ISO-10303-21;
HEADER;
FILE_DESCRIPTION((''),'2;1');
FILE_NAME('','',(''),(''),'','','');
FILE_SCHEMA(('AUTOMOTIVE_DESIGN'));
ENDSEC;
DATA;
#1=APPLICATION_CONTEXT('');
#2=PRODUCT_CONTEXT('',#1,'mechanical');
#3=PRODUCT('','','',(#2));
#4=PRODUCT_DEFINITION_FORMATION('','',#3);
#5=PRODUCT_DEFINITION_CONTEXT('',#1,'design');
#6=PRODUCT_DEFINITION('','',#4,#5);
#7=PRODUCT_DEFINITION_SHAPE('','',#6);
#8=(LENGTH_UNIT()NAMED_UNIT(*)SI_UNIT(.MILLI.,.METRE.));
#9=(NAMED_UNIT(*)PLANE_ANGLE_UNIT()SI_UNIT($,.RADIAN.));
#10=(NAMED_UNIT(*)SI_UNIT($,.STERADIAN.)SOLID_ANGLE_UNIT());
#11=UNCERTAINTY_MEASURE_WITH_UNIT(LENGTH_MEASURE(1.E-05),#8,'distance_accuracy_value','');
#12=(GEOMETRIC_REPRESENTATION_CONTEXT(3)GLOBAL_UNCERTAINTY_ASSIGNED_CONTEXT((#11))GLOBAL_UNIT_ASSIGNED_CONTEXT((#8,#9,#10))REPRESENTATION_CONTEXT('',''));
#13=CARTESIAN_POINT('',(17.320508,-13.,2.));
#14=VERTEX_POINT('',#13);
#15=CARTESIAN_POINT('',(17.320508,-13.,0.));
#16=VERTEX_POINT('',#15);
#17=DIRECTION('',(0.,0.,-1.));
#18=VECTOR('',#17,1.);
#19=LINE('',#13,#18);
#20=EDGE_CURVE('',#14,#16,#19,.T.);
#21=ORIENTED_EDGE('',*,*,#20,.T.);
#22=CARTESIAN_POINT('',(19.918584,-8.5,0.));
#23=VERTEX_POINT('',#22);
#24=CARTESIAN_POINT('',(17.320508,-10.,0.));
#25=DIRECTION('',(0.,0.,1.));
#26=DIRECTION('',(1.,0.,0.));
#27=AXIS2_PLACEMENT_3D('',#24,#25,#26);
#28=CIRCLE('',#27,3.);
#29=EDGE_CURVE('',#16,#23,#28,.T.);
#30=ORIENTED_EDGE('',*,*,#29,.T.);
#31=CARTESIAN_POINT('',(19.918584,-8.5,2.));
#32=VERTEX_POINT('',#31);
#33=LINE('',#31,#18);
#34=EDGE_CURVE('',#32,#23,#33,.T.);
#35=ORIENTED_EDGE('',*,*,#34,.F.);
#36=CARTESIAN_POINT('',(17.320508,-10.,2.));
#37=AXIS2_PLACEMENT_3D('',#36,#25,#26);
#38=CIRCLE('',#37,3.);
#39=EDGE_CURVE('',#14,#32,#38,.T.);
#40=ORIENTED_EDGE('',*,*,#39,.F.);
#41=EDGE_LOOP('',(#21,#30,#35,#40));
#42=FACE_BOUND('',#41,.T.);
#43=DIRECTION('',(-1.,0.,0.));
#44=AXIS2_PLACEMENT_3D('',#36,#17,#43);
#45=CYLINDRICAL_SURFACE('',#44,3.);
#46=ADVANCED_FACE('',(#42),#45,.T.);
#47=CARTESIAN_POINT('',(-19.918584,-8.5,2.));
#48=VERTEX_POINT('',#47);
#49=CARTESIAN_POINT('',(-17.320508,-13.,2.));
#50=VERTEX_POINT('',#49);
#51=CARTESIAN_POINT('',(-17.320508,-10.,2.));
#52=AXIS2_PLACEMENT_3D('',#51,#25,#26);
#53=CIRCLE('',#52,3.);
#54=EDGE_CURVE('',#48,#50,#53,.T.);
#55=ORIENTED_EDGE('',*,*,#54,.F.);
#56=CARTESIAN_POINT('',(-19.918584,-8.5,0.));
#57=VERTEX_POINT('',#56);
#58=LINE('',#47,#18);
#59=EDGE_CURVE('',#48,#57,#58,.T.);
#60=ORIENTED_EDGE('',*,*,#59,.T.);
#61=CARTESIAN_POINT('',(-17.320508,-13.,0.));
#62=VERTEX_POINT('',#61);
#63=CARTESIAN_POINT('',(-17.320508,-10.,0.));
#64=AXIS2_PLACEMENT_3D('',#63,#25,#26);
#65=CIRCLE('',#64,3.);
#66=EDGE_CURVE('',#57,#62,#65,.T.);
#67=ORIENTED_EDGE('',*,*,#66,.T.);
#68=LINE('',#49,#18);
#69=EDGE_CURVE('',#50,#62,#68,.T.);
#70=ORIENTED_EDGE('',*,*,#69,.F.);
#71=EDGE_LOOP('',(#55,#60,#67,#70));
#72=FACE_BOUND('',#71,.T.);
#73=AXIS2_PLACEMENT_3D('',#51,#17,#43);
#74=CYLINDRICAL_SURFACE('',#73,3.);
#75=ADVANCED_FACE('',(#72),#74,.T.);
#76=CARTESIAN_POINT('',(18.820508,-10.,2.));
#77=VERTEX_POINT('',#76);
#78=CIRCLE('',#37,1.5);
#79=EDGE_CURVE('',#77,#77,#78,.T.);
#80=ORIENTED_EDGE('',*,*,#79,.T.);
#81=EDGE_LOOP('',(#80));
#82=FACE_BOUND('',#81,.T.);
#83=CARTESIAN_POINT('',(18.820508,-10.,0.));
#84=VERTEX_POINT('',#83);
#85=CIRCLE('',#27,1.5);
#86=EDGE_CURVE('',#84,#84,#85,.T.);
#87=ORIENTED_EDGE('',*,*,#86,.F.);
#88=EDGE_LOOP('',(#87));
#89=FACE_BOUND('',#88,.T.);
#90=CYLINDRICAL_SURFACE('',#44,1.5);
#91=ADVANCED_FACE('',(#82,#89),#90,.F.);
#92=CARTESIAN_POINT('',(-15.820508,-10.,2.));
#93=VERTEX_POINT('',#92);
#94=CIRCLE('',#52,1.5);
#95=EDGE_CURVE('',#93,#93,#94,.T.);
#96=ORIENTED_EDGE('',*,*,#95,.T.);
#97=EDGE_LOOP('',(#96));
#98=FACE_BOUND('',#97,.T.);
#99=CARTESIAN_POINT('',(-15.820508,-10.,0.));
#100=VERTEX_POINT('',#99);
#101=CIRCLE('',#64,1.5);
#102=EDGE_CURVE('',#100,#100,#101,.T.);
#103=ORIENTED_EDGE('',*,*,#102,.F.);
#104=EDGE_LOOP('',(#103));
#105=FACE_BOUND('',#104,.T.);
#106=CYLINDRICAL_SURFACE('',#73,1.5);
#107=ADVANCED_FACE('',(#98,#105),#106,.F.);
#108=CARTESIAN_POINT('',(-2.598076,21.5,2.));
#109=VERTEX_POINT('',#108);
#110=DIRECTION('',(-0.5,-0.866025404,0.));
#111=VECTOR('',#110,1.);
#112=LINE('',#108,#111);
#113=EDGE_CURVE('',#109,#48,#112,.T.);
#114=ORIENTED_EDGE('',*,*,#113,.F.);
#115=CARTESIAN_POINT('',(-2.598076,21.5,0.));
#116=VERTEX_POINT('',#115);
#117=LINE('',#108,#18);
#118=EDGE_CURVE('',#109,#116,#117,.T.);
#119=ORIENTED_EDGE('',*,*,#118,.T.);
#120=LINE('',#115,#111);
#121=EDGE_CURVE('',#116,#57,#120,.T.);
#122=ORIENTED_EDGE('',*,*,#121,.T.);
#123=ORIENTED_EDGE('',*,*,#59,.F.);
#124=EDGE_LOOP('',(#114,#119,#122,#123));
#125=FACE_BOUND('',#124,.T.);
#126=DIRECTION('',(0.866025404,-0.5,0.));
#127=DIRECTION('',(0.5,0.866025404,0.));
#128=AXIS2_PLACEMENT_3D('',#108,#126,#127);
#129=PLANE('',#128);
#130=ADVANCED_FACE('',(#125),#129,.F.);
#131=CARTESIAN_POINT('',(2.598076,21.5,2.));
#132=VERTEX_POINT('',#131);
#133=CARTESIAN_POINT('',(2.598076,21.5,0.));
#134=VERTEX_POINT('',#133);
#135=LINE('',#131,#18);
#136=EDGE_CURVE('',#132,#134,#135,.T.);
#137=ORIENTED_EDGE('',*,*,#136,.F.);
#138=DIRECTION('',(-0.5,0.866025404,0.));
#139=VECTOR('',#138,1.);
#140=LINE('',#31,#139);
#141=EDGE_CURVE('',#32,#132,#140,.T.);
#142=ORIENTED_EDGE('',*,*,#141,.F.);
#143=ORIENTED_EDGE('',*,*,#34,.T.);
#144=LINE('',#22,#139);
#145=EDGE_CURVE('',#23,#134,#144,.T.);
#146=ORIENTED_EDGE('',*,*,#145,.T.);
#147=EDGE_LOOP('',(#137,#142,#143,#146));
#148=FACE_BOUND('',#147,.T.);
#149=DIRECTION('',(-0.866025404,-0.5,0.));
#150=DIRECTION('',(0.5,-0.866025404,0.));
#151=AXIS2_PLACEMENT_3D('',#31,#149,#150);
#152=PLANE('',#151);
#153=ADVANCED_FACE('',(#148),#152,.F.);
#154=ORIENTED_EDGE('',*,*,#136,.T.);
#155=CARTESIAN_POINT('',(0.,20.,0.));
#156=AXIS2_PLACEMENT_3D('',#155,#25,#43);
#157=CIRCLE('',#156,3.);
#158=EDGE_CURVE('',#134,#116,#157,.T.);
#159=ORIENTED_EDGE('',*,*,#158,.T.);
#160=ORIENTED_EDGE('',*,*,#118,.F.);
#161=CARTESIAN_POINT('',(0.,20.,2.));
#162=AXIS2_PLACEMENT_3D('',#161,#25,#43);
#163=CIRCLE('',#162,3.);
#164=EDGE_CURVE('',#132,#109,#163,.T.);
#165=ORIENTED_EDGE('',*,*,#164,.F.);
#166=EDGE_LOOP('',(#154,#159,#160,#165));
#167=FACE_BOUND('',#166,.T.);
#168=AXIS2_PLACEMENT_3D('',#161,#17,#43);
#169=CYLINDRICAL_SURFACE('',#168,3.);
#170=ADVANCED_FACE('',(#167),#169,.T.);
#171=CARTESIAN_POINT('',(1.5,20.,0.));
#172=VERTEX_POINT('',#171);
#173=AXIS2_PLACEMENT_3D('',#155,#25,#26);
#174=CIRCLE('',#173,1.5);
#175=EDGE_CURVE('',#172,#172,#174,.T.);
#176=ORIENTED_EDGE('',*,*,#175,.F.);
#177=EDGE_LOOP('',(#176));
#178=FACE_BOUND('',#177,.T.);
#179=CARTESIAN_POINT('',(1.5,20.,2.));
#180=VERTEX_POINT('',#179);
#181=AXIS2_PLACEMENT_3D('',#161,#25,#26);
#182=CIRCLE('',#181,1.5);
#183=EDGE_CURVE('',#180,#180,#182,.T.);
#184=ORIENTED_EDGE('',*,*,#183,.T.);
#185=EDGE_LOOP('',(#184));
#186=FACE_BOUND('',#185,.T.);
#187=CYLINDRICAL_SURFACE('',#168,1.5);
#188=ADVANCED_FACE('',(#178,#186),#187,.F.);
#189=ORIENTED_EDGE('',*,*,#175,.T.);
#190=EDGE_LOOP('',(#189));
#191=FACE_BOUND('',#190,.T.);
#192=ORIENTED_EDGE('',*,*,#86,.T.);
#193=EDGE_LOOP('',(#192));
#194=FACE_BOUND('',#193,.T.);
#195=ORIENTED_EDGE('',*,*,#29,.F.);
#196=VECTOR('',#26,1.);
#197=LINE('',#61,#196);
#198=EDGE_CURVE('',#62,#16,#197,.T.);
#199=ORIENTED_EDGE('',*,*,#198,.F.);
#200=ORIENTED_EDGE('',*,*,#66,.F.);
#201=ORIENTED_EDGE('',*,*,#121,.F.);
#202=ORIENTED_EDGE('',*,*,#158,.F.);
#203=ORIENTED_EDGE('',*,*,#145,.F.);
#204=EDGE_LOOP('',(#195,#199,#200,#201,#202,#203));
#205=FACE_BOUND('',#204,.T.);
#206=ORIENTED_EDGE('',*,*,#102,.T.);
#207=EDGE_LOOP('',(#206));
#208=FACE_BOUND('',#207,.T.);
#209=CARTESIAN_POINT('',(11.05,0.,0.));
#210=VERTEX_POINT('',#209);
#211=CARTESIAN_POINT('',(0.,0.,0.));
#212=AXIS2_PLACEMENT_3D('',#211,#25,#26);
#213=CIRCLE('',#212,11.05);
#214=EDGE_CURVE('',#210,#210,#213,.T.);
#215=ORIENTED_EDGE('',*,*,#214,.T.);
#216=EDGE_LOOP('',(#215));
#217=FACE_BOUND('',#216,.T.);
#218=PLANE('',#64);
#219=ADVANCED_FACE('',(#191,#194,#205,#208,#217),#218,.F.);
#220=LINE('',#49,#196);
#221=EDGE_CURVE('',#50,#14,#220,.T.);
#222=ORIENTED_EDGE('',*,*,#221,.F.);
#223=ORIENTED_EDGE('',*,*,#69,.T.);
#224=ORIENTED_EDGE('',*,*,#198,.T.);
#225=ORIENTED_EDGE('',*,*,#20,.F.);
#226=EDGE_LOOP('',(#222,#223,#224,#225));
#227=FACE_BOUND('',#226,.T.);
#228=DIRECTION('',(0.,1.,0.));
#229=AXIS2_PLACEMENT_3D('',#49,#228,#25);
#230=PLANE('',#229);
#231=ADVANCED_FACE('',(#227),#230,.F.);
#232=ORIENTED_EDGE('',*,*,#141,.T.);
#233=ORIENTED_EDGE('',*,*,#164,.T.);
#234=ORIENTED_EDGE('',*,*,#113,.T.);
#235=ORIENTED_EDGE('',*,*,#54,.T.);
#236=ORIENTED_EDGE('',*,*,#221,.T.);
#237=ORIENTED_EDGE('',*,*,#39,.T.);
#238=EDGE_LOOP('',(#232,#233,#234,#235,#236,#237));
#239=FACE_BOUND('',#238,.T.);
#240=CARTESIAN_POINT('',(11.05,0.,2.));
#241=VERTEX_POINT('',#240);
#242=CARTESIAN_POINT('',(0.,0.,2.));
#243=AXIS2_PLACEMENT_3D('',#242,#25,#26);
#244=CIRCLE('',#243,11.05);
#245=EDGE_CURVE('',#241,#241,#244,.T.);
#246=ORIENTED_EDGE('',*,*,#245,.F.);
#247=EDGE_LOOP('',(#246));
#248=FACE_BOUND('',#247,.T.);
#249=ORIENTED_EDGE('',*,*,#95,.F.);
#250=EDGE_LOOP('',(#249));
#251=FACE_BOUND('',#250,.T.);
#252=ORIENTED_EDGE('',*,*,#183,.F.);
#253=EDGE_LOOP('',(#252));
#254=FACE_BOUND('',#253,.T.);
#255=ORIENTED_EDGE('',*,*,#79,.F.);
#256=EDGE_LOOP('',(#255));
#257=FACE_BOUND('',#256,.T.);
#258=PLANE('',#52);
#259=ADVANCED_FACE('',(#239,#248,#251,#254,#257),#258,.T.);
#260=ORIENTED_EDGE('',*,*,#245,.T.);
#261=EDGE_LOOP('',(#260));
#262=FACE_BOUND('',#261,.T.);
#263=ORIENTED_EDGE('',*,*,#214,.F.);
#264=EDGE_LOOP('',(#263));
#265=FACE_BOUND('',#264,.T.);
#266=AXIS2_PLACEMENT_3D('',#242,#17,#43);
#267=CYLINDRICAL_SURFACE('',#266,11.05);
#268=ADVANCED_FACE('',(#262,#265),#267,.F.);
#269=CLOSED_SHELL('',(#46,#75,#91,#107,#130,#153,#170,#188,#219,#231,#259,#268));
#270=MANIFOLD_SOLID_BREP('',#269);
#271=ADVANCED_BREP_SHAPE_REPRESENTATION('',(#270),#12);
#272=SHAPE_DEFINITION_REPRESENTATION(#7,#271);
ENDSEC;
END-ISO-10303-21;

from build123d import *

# Parameters (mm, degrees)
SKETCH_1_R      = 1.5
SKETCH_1_R_2    = 11.05
EXTRUDE_1_DEPTH = 2


with BuildPart() as part:
    # 草图1 → 凸台-拉伸1 (new body)
    with BuildSketch(Plane.XY):
        with BuildLine():
            Line((-2.598076211, 21.5), (-19.918584287, -8.5))
            ThreePointArc((-19.918584287, -8.5), (-19.918584287, -11.5), (-17.320508076, -13))
            Line((-17.320508076, -13), (17.320508076, -13))
            ThreePointArc((17.320508076, -13), (19.918584287, -11.5), (19.918584287, -8.5))
            Line((19.918584287, -8.5), (2.598076211, 21.5))
            ThreePointArc((2.598076211, 21.5), (0, 23), (-2.598076211, 21.5))
        make_face()
        with Locations((-17.320508076, -10)):
            Circle(SKETCH_1_R, mode=Mode.SUBTRACT)
        with Locations((0, 20)):
            Circle(SKETCH_1_R, mode=Mode.SUBTRACT)
        with Locations((17.320508076, -10)):
            Circle(SKETCH_1_R, mode=Mode.SUBTRACT)
        Circle(SKETCH_1_R_2, mode=Mode.SUBTRACT)
    extrude(amount=EXTRUDE_1_DEPTH)


solid = part.part
